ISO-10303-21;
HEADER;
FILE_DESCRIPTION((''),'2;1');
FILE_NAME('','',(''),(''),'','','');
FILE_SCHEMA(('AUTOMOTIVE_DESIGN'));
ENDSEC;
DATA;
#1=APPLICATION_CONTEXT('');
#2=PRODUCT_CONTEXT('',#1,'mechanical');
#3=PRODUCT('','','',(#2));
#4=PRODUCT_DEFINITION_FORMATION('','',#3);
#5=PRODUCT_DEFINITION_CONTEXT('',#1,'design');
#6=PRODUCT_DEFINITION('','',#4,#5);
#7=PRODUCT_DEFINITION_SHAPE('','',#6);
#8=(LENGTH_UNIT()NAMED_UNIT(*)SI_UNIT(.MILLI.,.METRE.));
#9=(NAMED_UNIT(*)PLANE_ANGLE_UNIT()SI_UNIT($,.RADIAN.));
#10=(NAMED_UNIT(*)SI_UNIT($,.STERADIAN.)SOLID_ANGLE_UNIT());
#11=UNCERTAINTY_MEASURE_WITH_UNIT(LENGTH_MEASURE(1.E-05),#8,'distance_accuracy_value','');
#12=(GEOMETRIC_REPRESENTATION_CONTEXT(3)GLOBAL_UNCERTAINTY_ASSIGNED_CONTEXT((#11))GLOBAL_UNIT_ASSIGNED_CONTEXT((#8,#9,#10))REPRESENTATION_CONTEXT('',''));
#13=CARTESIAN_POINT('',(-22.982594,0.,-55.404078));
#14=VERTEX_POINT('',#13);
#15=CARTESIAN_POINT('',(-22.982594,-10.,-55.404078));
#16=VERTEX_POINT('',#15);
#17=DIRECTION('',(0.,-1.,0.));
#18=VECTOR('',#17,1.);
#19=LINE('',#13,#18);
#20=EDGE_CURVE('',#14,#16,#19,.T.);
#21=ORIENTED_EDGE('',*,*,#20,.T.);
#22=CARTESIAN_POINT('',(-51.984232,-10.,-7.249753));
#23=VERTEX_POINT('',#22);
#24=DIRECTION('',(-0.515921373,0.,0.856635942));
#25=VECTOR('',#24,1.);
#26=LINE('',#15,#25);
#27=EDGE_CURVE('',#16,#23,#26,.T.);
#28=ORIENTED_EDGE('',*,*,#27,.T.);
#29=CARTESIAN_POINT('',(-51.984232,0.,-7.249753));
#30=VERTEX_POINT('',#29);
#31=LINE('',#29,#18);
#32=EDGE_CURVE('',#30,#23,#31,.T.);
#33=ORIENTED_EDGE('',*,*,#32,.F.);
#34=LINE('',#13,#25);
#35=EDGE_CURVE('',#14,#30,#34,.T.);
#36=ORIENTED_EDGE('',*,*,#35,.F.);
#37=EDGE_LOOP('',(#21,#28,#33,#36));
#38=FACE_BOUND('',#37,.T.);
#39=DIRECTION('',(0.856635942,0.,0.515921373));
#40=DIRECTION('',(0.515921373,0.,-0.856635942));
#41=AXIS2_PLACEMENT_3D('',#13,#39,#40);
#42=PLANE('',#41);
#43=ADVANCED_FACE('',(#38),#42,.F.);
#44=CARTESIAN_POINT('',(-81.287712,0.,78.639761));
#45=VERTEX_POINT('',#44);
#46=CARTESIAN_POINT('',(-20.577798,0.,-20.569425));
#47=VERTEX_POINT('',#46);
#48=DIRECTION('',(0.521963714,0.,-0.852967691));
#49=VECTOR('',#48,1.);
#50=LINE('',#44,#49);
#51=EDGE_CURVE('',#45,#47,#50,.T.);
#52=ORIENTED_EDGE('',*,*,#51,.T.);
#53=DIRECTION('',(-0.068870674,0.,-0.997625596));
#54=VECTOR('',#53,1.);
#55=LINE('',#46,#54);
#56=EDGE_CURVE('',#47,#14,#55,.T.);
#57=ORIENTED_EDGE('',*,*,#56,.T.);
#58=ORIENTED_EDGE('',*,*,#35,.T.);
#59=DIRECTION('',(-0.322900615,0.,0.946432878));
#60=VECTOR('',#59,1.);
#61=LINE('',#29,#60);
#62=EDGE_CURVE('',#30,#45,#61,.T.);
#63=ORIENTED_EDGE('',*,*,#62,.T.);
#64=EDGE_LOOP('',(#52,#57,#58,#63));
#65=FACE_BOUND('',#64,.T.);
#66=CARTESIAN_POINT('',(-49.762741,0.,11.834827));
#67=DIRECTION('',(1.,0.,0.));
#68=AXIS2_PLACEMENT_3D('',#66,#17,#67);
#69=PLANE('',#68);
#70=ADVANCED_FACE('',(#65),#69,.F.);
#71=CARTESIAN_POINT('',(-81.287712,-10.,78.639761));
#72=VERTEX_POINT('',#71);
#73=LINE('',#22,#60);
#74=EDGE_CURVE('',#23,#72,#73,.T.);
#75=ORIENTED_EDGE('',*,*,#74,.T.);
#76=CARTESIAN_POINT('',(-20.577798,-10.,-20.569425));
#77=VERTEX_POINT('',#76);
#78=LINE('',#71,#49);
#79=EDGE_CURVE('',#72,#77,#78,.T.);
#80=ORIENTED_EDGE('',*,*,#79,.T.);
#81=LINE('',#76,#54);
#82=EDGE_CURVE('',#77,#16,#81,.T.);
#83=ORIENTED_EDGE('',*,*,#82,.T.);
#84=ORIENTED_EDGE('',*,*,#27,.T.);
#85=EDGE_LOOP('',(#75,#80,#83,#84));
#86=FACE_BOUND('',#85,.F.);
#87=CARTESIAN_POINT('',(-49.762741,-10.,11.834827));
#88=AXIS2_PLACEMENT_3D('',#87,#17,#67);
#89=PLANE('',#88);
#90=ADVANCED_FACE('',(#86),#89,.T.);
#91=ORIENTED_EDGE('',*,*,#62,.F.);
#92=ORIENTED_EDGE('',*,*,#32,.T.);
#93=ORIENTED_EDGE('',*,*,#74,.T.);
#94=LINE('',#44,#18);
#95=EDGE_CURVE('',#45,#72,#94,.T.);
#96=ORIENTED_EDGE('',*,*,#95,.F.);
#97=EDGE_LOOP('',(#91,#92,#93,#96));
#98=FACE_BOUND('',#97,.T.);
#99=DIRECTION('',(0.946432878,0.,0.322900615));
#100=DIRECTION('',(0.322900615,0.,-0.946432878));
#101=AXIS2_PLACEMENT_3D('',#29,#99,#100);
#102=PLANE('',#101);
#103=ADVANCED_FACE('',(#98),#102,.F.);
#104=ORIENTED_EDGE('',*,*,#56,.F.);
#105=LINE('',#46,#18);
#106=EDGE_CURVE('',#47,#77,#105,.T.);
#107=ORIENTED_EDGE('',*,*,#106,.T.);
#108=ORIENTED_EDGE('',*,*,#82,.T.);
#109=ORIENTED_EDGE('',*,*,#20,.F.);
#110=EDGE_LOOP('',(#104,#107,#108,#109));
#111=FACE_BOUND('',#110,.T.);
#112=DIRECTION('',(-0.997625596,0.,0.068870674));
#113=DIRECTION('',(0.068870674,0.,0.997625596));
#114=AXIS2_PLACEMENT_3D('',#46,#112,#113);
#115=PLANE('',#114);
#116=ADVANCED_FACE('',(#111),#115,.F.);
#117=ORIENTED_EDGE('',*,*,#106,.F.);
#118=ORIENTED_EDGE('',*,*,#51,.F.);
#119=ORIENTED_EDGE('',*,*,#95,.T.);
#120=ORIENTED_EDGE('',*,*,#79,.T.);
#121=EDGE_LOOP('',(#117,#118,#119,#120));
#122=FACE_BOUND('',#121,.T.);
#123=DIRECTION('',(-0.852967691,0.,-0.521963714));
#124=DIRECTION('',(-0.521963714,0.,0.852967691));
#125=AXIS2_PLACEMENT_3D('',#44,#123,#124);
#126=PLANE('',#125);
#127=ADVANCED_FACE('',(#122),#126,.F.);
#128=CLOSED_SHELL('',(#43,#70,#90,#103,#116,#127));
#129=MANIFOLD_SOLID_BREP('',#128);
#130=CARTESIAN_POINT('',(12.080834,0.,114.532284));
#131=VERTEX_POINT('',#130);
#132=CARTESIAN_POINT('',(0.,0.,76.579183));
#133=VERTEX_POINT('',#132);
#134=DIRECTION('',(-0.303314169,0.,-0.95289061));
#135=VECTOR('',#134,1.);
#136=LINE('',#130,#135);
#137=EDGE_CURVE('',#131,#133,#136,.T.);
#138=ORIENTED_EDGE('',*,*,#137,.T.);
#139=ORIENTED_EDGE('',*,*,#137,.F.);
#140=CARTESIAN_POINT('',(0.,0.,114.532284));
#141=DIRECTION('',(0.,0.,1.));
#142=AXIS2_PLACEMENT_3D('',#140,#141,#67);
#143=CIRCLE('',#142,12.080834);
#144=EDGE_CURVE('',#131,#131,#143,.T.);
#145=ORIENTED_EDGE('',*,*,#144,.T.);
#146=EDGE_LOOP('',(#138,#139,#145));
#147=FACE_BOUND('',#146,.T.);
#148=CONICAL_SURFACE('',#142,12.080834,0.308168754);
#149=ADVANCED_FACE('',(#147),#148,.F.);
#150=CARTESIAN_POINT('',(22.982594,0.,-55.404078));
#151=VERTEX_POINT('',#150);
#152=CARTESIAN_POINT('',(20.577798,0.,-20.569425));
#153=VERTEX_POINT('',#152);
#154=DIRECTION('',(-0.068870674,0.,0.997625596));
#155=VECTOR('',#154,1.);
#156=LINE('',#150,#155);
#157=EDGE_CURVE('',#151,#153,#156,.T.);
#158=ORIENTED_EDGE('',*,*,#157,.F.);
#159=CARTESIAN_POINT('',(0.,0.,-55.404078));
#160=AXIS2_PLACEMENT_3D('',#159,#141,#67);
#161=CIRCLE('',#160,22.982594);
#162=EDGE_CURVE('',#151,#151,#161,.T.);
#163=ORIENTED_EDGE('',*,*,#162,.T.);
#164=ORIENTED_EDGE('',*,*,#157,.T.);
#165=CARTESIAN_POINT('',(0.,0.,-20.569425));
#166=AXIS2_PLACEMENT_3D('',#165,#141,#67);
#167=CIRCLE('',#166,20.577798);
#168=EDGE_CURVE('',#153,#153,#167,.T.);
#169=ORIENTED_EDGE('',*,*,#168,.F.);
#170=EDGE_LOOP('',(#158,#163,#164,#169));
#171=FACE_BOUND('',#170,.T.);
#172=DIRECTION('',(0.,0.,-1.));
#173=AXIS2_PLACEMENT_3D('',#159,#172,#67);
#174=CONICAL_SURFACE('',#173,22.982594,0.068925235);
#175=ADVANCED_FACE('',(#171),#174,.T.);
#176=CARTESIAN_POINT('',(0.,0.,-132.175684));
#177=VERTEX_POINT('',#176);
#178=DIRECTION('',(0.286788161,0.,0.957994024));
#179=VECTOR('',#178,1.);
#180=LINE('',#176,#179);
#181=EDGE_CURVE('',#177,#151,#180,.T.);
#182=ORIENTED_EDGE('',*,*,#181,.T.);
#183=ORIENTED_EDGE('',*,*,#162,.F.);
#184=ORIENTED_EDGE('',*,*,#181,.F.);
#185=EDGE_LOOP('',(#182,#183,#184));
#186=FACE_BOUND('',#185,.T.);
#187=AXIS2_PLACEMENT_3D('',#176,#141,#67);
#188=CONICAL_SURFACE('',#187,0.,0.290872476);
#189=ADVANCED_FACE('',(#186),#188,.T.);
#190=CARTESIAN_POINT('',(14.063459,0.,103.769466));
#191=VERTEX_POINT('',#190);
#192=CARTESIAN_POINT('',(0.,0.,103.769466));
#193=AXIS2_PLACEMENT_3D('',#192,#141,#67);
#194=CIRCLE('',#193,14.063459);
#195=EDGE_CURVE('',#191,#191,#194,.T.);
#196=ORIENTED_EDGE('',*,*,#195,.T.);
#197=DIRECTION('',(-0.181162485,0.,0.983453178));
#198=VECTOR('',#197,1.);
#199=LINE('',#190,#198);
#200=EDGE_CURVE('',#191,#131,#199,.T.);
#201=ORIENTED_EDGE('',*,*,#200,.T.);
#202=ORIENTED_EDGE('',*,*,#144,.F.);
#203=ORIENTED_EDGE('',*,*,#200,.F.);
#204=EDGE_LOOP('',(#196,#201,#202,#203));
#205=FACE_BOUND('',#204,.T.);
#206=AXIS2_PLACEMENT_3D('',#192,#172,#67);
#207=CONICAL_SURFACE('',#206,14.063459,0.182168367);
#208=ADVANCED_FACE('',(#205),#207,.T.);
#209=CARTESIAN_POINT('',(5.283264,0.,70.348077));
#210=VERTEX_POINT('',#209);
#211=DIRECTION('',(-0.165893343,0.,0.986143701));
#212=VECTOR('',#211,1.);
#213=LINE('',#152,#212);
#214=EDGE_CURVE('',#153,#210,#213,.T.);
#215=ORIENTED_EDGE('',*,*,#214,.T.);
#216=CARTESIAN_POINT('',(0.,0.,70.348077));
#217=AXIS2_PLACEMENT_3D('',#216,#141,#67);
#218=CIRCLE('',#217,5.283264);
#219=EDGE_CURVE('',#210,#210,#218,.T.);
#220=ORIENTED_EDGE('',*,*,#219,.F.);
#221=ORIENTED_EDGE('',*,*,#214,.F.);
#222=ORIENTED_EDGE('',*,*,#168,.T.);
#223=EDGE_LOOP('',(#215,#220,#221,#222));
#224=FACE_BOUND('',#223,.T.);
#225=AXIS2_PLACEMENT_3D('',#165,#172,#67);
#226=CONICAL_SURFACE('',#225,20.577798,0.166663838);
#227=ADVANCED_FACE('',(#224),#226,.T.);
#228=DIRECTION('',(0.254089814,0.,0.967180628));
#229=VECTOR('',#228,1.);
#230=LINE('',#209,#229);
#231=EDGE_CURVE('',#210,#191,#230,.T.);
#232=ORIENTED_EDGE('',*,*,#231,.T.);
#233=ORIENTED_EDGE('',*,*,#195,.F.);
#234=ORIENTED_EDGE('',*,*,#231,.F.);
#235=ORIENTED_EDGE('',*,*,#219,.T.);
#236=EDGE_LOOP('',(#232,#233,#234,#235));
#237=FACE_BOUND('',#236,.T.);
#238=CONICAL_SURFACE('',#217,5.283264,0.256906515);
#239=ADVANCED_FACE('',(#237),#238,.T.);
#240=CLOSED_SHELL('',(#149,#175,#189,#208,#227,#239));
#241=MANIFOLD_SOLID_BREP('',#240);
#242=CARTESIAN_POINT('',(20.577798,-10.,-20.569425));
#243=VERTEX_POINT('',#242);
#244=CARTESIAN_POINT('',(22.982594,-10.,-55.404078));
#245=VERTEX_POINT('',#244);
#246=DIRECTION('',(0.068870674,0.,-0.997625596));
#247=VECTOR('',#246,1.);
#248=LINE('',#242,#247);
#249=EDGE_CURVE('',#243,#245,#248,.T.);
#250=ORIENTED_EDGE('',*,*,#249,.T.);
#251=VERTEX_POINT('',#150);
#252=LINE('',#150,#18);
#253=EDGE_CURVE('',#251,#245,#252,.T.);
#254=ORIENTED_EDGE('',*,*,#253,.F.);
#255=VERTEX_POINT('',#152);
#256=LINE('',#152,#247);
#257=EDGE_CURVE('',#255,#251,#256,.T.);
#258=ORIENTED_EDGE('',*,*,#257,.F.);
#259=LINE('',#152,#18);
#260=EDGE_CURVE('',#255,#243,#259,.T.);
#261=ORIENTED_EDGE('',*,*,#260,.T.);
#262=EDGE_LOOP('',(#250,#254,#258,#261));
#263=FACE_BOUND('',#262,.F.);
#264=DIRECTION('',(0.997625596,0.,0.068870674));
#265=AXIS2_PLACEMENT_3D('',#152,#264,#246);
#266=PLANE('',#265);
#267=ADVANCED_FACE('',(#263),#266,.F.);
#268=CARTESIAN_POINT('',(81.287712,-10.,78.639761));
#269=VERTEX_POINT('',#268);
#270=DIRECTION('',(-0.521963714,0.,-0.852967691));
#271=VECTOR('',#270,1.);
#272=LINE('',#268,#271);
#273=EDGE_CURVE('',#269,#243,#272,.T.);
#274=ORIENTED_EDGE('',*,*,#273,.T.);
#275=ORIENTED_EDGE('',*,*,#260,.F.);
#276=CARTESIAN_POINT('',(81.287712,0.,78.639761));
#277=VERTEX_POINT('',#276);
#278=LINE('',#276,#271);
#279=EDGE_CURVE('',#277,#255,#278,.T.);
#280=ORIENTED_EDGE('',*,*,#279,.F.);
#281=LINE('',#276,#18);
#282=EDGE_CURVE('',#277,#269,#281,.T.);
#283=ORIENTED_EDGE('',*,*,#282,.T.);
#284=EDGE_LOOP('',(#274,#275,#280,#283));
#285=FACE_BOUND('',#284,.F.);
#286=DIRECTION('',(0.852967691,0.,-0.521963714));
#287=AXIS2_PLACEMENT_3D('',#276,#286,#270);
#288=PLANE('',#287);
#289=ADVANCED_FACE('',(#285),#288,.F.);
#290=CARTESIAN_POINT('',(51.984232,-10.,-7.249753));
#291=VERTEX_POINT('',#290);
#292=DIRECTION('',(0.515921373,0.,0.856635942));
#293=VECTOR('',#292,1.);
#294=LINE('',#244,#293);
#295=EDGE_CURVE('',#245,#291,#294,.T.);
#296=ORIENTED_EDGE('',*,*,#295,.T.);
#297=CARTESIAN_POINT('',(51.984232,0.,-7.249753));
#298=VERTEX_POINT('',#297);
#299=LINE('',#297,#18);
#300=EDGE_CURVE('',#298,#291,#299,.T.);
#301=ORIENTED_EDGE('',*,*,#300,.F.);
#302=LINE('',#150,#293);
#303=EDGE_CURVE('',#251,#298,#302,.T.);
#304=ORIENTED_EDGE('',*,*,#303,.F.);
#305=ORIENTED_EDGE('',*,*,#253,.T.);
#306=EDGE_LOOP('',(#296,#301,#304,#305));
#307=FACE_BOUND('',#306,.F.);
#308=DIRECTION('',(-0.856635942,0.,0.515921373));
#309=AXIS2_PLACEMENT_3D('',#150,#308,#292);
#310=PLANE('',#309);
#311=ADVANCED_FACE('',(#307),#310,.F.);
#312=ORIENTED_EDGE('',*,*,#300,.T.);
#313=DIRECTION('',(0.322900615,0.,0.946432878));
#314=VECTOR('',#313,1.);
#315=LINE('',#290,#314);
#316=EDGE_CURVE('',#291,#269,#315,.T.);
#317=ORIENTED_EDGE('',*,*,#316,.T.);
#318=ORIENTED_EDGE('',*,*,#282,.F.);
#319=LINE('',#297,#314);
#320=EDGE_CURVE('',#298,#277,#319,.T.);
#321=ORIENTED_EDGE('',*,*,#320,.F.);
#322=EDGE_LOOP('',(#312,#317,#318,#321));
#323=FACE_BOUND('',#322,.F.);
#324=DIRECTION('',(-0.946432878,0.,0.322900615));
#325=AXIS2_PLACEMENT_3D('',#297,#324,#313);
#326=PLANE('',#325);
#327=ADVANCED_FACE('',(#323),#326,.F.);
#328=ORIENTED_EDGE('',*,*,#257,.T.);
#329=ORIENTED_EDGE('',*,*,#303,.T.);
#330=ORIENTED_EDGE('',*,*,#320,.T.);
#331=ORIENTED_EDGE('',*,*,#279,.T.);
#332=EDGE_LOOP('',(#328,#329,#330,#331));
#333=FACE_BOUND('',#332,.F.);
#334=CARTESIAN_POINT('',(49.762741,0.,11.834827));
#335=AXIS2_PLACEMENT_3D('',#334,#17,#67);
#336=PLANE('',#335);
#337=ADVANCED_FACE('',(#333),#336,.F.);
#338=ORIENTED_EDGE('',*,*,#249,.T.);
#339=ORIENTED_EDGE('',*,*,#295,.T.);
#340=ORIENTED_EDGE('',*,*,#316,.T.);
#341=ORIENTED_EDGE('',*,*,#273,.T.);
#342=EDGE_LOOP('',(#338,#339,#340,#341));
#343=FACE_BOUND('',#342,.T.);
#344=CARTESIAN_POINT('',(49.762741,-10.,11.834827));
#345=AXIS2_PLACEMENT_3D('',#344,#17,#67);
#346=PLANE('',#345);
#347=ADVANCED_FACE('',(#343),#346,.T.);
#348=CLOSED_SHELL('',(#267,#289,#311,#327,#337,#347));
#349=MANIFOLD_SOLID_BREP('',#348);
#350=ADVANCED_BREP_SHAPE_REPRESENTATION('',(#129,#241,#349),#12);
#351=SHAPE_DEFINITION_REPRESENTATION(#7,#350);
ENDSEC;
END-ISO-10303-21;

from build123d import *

# Parameters (mm, degrees)
F1_DEPTH = 10


with BuildPart() as f1:
    # F0 (on Front) → F1 (new body)
    with BuildSketch(Plane.XZ):
        Polygon((20.577798, -20.569425), (22.982594, -55.404078), (51.984232, -7.249753), (81.287712, 78.639761), align=None)
    extrude(amount=F1_DEPTH)


with BuildPart() as f2_1:
    # F2: instance of F1
    add(f1.part.mirror(Plane.YZ))


with BuildPart() as f3:
    # F0 (on Front) → F3 (revolve)
    with BuildSketch(Plane.XZ):
        Polygon((12.080834, 114.532284), (0, 76.579183), (0, 0), (0, -132.175684), (22.982594, -55.404078), (20.577798, -20.569425), (5.283264, 70.348077), (14.063459, 103.769466), align=None)
    revolve(axis=Axis((0, 0, -66.087842), (0, 0, 1)))


solid = Compound([f1.part, f2_1.part, f3.part])
